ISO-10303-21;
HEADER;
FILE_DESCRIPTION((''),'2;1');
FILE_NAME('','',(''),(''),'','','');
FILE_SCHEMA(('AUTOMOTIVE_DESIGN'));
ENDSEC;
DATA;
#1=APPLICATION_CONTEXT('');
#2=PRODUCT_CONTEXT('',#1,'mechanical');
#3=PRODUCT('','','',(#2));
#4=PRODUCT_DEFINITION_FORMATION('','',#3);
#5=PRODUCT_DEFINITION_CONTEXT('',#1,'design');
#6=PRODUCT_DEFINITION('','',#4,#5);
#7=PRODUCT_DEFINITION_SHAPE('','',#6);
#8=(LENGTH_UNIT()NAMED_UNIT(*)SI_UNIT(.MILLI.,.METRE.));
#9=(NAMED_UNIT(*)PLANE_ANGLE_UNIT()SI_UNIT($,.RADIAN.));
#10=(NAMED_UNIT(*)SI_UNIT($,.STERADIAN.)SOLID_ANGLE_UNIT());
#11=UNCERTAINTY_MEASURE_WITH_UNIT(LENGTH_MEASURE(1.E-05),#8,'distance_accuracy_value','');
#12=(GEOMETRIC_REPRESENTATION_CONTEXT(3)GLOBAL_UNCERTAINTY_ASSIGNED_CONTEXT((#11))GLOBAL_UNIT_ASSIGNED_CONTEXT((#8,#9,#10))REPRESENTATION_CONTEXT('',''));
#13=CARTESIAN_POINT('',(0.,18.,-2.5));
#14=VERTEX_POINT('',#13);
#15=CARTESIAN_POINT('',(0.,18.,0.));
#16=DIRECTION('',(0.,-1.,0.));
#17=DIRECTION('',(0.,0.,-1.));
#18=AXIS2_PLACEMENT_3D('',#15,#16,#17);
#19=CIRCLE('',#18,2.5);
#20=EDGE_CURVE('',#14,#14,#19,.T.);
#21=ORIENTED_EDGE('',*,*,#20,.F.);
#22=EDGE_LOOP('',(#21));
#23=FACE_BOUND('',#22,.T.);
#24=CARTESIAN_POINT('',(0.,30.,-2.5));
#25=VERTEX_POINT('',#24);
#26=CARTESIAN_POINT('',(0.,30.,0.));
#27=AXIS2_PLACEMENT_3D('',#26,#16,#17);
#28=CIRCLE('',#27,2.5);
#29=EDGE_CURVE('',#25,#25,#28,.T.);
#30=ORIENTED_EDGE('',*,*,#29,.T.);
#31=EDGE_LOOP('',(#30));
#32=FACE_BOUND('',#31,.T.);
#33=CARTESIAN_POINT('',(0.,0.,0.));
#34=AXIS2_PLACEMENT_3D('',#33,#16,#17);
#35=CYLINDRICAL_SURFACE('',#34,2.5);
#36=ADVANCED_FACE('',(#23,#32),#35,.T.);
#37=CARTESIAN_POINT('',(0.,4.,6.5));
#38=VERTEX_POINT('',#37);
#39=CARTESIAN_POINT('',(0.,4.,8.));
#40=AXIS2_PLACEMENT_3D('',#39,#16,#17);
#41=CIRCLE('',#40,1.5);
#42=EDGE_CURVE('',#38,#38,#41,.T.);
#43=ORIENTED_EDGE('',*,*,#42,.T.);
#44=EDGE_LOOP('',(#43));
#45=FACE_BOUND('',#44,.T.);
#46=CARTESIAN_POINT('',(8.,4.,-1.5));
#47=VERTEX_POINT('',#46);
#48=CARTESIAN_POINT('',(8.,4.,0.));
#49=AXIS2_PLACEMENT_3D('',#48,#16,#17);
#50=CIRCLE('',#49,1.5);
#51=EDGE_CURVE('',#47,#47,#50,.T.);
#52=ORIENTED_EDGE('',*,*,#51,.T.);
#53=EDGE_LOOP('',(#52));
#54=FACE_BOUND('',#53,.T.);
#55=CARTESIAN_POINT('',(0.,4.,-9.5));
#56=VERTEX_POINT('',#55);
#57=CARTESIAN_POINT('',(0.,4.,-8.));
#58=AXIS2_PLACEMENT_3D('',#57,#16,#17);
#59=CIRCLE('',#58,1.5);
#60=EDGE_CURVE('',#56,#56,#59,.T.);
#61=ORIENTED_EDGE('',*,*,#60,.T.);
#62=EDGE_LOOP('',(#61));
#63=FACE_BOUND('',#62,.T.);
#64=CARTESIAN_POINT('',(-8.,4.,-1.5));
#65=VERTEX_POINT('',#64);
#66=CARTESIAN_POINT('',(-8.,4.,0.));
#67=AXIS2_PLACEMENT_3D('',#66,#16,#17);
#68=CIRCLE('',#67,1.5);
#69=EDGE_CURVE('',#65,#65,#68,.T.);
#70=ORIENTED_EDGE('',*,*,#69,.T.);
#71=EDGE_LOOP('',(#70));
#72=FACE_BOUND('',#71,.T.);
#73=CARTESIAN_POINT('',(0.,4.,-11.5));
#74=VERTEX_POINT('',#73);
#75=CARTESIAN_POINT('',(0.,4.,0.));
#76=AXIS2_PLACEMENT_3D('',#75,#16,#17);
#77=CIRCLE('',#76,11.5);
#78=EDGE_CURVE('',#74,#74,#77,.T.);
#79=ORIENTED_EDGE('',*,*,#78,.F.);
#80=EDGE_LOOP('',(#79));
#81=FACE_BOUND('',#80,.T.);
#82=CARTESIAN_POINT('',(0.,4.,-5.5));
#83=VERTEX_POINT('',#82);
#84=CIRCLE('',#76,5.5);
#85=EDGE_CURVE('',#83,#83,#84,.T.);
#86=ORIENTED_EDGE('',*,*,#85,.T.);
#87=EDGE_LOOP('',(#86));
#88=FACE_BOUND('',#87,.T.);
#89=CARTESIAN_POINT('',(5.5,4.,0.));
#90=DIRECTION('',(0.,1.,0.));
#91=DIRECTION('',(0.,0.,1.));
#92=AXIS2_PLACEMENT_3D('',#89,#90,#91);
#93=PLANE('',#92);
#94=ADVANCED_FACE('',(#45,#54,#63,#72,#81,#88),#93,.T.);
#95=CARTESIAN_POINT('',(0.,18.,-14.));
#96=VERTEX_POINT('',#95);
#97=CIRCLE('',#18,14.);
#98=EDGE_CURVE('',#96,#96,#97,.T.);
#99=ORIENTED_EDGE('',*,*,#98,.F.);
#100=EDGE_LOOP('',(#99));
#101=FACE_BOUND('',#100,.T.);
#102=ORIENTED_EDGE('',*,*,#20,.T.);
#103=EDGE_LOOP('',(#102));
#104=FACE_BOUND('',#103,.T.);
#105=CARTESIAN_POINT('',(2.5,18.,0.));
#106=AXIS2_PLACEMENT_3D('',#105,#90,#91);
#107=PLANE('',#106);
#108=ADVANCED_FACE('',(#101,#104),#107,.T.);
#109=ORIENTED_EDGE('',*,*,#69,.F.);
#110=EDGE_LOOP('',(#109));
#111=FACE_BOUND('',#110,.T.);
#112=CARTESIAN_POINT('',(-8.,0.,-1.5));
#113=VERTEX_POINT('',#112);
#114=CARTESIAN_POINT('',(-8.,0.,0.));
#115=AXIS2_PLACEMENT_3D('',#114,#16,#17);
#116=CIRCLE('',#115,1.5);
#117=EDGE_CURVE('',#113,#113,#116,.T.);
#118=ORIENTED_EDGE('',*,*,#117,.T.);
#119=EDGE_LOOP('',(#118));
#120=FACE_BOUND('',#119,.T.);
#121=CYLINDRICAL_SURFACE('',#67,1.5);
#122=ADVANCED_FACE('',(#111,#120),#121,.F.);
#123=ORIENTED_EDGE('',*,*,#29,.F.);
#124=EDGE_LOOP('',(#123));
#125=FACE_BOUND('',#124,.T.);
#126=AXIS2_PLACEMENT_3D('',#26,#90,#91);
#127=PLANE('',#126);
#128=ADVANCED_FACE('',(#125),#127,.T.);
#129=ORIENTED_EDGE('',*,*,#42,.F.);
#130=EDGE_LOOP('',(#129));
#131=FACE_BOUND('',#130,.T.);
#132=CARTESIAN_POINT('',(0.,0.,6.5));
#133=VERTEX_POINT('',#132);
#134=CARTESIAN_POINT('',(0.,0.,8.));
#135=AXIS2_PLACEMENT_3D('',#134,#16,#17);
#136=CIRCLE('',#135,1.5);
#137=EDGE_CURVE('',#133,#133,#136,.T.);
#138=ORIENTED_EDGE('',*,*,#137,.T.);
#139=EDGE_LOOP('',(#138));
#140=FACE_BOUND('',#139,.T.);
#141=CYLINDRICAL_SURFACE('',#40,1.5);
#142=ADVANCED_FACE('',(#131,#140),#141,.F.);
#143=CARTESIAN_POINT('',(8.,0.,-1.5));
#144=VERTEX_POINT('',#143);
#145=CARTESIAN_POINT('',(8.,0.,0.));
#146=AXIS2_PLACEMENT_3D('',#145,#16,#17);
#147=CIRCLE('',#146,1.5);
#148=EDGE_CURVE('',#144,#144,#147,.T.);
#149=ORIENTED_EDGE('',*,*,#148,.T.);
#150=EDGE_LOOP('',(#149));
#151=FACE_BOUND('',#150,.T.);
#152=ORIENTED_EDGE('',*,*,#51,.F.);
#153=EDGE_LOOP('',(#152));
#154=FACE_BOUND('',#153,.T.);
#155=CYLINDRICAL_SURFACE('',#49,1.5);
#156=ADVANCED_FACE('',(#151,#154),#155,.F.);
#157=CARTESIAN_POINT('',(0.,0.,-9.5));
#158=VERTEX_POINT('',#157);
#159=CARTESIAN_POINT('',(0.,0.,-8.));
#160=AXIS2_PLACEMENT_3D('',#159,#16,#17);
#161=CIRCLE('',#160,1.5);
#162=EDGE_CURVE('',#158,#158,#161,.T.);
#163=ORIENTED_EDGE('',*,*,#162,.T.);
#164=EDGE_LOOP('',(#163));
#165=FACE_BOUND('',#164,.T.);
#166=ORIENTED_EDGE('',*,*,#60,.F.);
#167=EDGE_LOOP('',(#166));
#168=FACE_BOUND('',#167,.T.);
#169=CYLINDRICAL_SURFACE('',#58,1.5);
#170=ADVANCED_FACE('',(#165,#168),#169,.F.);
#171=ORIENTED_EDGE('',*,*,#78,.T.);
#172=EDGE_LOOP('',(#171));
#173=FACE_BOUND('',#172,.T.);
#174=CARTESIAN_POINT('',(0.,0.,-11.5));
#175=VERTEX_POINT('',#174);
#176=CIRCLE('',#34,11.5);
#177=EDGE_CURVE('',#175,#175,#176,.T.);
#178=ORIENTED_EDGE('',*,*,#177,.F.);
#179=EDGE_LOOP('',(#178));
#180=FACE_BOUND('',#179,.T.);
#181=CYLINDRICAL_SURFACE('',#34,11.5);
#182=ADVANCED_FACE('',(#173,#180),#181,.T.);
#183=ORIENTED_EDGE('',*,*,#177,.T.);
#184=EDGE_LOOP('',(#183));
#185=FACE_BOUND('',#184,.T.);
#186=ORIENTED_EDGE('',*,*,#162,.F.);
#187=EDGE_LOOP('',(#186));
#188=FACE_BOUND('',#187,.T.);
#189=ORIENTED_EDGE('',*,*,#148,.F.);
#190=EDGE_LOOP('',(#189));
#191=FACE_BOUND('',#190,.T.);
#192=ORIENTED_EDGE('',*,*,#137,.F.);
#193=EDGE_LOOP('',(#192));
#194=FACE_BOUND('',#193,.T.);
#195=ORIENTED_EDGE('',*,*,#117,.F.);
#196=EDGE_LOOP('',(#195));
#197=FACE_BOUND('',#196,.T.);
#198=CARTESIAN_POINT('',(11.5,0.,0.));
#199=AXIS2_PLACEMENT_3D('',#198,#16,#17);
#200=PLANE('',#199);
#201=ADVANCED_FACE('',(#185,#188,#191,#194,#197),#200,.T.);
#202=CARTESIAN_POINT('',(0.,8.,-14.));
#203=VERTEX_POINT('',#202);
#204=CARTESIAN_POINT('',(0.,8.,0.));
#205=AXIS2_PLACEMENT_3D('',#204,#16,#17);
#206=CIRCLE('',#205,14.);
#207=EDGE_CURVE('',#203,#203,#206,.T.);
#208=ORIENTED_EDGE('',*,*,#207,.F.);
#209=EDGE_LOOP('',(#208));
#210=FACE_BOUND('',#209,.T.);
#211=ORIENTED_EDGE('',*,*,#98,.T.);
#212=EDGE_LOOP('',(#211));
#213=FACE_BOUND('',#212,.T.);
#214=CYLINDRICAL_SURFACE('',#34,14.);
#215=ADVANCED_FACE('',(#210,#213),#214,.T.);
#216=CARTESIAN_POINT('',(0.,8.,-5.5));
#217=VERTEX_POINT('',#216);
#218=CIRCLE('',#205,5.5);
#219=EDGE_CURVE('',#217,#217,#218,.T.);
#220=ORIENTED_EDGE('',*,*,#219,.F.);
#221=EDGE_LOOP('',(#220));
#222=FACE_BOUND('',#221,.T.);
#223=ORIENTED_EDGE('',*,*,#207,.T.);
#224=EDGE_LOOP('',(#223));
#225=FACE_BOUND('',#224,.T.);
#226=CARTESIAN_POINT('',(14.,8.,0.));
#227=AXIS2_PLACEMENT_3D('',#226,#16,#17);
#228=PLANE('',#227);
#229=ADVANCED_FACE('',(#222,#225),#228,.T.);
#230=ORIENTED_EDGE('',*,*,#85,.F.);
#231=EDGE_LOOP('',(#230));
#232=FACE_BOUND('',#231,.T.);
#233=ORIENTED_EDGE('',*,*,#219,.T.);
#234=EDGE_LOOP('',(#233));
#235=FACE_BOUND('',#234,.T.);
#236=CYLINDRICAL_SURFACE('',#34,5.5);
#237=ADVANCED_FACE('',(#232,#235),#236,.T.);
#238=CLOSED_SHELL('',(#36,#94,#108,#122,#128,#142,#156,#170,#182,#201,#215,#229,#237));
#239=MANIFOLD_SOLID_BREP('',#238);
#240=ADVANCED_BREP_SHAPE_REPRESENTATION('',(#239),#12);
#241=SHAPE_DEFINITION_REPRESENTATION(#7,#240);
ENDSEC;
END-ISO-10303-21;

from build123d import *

# Parameters (mm, degrees)
SKETCH2_R          = 1.5
CUT_EXTRUDE1_DEPTH = 4


with BuildPart() as part:
    # Sketch1 → Revolve1 (revolve)
    with BuildSketch(Plane.XY, mode=Mode.PRIVATE) as revolve1_sk:
        Polygon((0, 30), (2.5, 30), (2.5, 18), (14, 18), (14, 8), (5.5, 8), (5.5, 4), (11.5, 4), (11.5, 0), (0, 0), align=None)
    revolve(revolve1_sk.sketch.rotate(Axis((0, 0, 0), (0, 1, 0)), 90), axis=Axis((0, 0, 0), (0, 1, 0)))

    # Sketch2 → Cut-Extrude1 (cut)
    with BuildSketch(Plane.XZ):
        with Locations(Location((0, 8, 0), (0, 0, 270))):
            Circle(SKETCH2_R)
        with Locations(Location((8, 0, 0), (0, 0, 270))):
            Circle(SKETCH2_R)
        with Locations(Location((0, -8, 0), (0, 0, 270))):
            Circle(SKETCH2_R)
        with Locations(Location((-8, 0, 0), (0, 0, 270))):
            Circle(SKETCH2_R)
    extrude(amount=-CUT_EXTRUDE1_DEPTH, mode=Mode.SUBTRACT)


solid = part.part
